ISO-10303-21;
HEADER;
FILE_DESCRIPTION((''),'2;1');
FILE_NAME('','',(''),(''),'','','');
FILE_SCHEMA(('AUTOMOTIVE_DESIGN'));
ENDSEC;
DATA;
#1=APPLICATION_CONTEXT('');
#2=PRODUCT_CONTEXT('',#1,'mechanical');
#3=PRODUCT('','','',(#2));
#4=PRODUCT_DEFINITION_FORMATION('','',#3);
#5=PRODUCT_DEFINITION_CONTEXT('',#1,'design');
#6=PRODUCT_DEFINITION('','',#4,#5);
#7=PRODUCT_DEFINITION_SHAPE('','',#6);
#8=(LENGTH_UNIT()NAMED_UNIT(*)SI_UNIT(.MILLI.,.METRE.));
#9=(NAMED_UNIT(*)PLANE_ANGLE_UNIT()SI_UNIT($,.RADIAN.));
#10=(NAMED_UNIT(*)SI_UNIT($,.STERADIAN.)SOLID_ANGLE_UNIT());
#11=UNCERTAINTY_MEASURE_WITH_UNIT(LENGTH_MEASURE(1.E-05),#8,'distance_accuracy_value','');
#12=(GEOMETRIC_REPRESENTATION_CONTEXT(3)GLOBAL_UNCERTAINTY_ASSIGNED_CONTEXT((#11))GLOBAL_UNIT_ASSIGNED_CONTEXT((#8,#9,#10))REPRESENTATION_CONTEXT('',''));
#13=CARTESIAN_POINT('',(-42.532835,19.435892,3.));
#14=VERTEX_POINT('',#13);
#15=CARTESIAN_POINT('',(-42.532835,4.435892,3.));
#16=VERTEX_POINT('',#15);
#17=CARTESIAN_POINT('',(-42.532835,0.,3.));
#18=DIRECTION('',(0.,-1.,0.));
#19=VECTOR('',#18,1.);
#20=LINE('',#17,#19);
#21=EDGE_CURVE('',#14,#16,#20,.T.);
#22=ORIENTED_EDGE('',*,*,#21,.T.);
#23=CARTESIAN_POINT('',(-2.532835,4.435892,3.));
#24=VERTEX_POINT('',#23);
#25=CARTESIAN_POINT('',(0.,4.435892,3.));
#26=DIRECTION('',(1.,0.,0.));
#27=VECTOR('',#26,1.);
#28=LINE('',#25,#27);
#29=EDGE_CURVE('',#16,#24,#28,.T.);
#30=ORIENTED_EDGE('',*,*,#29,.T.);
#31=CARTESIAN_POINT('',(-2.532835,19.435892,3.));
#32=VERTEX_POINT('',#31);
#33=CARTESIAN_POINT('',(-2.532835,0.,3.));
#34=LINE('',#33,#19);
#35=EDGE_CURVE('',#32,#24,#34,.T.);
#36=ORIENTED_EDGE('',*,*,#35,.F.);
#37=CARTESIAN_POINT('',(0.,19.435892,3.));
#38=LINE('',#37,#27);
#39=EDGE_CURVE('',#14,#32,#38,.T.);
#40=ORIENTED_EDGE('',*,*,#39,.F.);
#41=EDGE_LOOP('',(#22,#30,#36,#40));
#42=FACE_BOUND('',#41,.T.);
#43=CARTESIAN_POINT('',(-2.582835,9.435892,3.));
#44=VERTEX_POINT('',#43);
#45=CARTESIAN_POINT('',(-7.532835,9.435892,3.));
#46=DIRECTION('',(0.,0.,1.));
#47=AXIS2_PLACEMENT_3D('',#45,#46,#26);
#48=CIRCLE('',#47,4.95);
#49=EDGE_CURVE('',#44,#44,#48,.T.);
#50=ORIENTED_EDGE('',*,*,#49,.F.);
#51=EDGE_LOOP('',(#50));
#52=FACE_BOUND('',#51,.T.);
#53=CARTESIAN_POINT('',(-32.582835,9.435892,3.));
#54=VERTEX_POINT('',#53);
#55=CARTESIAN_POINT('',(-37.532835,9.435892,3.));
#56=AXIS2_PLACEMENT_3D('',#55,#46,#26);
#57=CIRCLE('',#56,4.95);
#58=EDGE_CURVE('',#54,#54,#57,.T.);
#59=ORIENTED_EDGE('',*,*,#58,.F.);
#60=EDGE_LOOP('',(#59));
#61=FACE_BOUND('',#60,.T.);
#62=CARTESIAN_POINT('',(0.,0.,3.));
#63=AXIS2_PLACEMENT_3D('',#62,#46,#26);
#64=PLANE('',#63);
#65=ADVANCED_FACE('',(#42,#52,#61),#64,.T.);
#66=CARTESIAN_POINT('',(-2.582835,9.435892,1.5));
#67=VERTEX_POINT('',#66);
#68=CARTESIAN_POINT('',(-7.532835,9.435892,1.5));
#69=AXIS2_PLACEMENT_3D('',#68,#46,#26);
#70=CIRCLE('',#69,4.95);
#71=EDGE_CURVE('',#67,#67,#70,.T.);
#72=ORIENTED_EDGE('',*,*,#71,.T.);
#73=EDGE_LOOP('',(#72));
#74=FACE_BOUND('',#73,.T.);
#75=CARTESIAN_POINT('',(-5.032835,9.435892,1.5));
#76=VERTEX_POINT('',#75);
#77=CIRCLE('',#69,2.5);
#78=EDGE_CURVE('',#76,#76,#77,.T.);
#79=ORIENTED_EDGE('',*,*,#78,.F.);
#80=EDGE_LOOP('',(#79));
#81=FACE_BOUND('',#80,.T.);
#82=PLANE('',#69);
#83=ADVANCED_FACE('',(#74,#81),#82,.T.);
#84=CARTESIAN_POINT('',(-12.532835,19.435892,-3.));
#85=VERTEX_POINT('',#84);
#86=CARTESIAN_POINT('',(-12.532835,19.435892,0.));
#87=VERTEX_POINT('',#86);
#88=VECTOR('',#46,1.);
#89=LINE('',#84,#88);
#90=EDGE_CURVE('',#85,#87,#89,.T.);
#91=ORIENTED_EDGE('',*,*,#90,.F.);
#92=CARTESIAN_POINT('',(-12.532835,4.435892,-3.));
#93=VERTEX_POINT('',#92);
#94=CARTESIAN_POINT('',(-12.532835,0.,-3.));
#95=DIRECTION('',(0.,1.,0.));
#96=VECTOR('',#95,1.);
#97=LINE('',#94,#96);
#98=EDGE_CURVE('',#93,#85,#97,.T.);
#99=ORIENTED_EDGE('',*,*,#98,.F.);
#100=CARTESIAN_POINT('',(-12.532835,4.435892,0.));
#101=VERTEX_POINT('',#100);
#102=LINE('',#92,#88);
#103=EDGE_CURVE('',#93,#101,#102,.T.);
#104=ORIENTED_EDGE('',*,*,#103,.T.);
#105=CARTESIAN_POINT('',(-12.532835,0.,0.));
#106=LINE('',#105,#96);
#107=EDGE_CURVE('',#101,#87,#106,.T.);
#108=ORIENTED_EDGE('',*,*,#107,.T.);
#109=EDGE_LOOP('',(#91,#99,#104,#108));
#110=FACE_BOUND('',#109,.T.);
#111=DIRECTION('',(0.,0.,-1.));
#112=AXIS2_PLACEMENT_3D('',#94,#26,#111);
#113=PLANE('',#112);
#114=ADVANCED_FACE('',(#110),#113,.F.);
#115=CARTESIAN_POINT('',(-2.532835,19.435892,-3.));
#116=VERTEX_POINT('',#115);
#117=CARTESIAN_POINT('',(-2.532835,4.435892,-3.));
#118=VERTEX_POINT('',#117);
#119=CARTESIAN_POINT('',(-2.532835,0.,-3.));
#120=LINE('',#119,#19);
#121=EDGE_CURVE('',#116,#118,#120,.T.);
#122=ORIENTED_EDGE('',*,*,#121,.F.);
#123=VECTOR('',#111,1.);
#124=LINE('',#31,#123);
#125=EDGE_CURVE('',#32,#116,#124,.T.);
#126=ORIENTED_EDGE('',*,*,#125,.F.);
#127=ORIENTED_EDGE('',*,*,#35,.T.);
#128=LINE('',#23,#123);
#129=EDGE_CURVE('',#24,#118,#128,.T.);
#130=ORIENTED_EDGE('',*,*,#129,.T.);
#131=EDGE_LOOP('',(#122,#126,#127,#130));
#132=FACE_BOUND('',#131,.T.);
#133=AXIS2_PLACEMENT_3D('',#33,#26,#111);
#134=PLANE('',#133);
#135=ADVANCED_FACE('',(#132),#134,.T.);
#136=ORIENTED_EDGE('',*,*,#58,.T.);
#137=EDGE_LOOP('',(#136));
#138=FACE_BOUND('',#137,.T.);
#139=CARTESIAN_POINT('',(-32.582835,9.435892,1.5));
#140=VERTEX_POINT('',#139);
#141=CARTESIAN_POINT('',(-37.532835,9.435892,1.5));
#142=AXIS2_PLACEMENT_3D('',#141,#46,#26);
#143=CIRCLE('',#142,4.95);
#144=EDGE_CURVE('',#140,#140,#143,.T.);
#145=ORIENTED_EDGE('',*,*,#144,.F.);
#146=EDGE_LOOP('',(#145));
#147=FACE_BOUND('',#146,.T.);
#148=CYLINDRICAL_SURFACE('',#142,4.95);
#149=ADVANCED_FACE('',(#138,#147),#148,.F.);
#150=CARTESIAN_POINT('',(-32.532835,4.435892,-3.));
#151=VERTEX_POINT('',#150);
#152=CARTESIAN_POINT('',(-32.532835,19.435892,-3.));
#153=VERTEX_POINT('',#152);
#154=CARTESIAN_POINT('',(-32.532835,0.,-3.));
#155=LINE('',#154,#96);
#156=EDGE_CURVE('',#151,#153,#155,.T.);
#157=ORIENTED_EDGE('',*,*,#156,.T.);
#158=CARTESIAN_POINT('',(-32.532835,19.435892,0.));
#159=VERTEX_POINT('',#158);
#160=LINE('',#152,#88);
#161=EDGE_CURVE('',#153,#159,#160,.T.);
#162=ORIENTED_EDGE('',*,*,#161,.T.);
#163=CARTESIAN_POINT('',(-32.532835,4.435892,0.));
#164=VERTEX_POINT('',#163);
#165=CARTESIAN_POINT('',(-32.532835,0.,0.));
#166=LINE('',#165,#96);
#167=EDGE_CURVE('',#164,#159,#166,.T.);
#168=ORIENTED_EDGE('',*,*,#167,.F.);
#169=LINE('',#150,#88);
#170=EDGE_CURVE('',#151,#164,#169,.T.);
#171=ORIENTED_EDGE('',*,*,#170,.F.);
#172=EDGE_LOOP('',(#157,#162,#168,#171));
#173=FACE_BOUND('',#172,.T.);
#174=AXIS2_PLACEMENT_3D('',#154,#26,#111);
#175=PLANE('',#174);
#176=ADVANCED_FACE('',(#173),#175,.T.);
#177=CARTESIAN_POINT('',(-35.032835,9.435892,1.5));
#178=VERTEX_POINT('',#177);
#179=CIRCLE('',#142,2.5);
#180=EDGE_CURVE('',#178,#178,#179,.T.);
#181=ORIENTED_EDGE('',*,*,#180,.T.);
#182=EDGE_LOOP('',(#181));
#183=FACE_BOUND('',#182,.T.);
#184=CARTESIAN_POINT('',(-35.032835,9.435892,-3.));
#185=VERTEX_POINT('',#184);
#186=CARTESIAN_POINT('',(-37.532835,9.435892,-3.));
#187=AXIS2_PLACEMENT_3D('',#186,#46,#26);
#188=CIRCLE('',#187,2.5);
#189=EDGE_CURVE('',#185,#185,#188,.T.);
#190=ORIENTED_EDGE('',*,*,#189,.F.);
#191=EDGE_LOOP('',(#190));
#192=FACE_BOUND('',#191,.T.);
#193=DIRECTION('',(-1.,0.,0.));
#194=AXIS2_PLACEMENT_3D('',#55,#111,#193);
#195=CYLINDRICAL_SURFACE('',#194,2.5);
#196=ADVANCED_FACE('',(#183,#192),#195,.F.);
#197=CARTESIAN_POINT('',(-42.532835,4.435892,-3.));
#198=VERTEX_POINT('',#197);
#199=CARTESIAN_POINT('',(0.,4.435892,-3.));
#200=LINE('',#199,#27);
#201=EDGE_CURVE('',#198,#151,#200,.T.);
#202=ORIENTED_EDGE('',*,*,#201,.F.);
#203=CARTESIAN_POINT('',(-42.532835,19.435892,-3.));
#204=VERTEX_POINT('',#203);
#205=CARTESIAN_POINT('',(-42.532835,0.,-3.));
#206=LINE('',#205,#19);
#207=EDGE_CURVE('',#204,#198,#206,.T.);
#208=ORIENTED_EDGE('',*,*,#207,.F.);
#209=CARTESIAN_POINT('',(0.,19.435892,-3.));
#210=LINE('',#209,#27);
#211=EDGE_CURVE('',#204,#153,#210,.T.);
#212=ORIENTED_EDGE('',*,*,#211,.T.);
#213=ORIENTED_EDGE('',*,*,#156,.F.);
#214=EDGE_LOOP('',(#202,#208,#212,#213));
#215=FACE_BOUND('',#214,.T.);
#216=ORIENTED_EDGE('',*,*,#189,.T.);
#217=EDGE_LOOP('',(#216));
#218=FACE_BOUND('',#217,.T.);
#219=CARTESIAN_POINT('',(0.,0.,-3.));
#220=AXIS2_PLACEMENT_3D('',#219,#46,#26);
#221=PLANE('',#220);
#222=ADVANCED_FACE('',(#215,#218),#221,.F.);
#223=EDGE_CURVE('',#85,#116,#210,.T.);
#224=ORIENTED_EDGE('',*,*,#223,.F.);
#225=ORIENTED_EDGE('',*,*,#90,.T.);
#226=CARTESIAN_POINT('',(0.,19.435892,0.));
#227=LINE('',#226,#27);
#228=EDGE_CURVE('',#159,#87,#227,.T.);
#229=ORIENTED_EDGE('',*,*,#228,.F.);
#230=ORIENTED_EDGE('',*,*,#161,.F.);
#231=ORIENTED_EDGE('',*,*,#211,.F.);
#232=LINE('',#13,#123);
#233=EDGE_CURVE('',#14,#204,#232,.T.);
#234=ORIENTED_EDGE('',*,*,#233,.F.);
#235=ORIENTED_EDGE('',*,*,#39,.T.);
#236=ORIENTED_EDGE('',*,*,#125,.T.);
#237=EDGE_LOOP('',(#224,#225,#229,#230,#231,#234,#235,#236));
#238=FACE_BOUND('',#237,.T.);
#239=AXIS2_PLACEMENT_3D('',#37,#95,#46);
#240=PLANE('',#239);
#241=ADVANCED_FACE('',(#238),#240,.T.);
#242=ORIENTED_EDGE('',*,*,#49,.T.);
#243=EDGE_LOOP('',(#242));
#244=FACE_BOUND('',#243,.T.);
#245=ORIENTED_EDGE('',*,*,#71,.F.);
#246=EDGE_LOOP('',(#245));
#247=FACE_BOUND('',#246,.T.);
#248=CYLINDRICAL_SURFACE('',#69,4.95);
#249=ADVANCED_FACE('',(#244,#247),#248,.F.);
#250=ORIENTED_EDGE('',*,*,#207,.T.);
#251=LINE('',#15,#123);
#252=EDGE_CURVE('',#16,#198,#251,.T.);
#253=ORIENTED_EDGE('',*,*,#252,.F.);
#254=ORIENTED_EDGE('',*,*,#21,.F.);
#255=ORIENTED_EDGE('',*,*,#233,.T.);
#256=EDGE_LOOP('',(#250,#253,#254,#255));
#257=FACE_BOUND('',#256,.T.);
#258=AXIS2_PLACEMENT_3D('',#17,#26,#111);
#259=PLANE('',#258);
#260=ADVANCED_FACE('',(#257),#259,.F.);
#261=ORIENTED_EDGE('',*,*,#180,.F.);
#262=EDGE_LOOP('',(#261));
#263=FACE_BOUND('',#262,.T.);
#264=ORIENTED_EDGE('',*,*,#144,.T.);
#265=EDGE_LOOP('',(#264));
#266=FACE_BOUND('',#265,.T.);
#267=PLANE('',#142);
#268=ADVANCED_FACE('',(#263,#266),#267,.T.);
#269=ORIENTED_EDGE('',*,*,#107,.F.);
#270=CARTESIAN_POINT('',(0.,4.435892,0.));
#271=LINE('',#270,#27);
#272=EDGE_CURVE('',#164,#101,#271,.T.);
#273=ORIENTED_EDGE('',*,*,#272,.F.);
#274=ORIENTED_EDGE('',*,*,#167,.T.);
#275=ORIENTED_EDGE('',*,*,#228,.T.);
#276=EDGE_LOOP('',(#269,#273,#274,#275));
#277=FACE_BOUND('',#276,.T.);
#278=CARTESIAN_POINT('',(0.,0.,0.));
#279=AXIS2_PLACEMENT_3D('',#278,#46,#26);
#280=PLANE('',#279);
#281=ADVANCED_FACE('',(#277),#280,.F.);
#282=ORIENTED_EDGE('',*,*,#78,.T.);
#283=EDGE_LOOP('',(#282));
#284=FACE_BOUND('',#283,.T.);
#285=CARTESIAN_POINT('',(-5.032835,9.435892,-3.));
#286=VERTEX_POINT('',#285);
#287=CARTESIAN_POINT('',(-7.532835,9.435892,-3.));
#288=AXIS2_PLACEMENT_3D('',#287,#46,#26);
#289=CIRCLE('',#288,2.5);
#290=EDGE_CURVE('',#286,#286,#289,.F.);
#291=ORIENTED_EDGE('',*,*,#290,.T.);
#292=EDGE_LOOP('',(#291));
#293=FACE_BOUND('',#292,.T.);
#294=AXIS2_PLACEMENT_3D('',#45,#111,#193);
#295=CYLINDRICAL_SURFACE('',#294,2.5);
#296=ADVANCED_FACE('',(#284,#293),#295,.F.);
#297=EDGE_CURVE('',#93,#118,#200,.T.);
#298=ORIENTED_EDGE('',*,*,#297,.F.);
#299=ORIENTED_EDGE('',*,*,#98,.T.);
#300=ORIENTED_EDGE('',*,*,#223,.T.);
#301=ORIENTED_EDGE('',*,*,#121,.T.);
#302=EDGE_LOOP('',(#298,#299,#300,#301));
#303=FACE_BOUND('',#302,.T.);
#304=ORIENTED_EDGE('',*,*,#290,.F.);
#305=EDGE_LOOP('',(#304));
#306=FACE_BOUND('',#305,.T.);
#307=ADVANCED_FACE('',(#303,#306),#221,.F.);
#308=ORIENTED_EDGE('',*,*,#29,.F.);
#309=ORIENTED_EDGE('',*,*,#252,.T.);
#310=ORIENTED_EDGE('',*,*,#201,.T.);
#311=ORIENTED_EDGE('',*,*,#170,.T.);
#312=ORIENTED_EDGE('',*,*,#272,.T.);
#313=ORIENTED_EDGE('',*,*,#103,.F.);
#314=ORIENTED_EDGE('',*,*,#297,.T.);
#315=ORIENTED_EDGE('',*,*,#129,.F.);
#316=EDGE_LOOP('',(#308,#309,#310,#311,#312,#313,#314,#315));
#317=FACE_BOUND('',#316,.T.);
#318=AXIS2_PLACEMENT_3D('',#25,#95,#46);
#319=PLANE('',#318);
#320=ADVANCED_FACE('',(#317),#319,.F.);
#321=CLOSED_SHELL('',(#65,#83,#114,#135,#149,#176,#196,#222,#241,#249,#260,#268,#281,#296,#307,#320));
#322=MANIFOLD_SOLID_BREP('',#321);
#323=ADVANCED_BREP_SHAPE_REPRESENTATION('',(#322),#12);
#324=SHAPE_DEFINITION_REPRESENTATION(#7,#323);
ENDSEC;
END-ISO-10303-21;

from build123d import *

# Parameters (mm, degrees)
SKETCH1_W           = 10
SKETCH1_H           = 15
SKETCH1_R           = 4.95
SKETCH1_R_2         = 2.5
BOSS_EXTRUDE1_DEPTH = 3
BOSS_EXTRUDE2_START = -3
SKETCH1_3_W         = 10
SKETCH1_3_H         = 15
SKETCH1_3_R         = 4.95
SKETCH1_3_R_2       = 2.5
BOSS_EXTRUDE2_DEPTH = 3
CUT_EXTRUDE1_START  = 1.5
SKETCH1_4_R         = 4.95
SKETCH1_4_R_2       = 2.5
CUT_EXTRUDE1_DEPTH  = 1.5


with BuildPart() as part:
    # Sketch1 → Boss-Extrude1 (new body)
    # profile 1 of 6: a face of its own
    with BuildSketch(Plane.XY):
        with Locations((-37.532834977, 11.935892272)):
            Rectangle(SKETCH1_W, SKETCH1_H)
        with Locations((-37.532834977, 9.435892272)):
            Circle(SKETCH1_R, mode=Mode.SUBTRACT)
    # profile 2 of 6: a face of its own
    with BuildSketch(Plane.XY):
        with Locations((-37.532834977, 9.435892272)):
            Circle(SKETCH1_R)
        with Locations((-37.532834977, 9.435892272)):
            Circle(SKETCH1_R_2, mode=Mode.SUBTRACT)
    # profile 3 of 6: a face of its own
    with BuildSketch(Plane.XY):
        with Locations((-7.532834977, 11.935892272)):
            Rectangle(SKETCH1_W, SKETCH1_H)
        with Locations((-7.532834977, 9.435892272)):
            Circle(SKETCH1_R, mode=Mode.SUBTRACT)
    # profile 4 of 6: a face of its own
    with BuildSketch(Plane.XY):
        with Locations((-7.532834977, 9.435892272)):
            Circle(SKETCH1_R)
        with Locations((-7.532834977, 9.435892272)):
            Circle(SKETCH1_R_2, mode=Mode.SUBTRACT)
    # profile 5 of 6: a face of its own
    with BuildSketch(Plane.XY):
        with Locations((-17.532834977, 11.935892272)):
            Rectangle(SKETCH1_W, SKETCH1_H)
    # profile 6 of 6: a face of its own
    with BuildSketch(Plane.XY):
        with Locations((-27.532834977, 11.935892272)):
            Rectangle(SKETCH1_W, SKETCH1_H)
    extrude(amount=BOSS_EXTRUDE1_DEPTH)

    # Sketch1<3> → Boss-Extrude2 (add)
    # profile 1 of 4: a face of its own
    with BuildSketch(Plane.XY.offset(BOSS_EXTRUDE2_START)):
        with Locations((-37.532834977, 11.935892272)):
            Rectangle(SKETCH1_3_W, SKETCH1_3_H)
        with Locations((-37.532834977, 9.435892272)):
            Circle(SKETCH1_3_R, mode=Mode.SUBTRACT)
    # profile 2 of 4: a face of its own
    with BuildSketch(Plane.XY.offset(BOSS_EXTRUDE2_START)):
        with Locations((-37.532834977, 9.435892272)):
            Circle(SKETCH1_3_R)
        with Locations((-37.532834977, 9.435892272)):
            Circle(SKETCH1_3_R_2, mode=Mode.SUBTRACT)
    # profile 3 of 4: a face of its own
    with BuildSketch(Plane.XY.offset(BOSS_EXTRUDE2_START)):
        with Locations((-7.532834977, 11.935892272)):
            Rectangle(SKETCH1_3_W, SKETCH1_3_H)
        with Locations((-7.532834977, 9.435892272)):
            Circle(SKETCH1_3_R, mode=Mode.SUBTRACT)
    # profile 4 of 4: a face of its own
    with BuildSketch(Plane.XY.offset(BOSS_EXTRUDE2_START)):
        with Locations((-7.532834977, 9.435892272)):
            Circle(SKETCH1_3_R)
        with Locations((-7.532834977, 9.435892272)):
            Circle(SKETCH1_3_R_2, mode=Mode.SUBTRACT)
    extrude(amount=BOSS_EXTRUDE2_DEPTH)

    # Sketch1<4> → Cut-Extrude1 (cut)
    # profile 1 of 2: a face of its own
    with BuildSketch(Plane.XY.offset(CUT_EXTRUDE1_START)):
        with Locations((-37.532834977, 9.435892272)):
            Circle(SKETCH1_4_R)
        with Locations((-37.532834977, 9.435892272)):
            Circle(SKETCH1_4_R_2, mode=Mode.SUBTRACT)
    # profile 2 of 2: a face of its own
    with BuildSketch(Plane.XY.offset(CUT_EXTRUDE1_START)):
        with Locations((-7.532834977, 9.435892272)):
            Circle(SKETCH1_4_R)
        with Locations((-7.532834977, 9.435892272)):
            Circle(SKETCH1_4_R_2, mode=Mode.SUBTRACT)
    extrude(amount=CUT_EXTRUDE1_DEPTH, mode=Mode.SUBTRACT)


solid = part.part
